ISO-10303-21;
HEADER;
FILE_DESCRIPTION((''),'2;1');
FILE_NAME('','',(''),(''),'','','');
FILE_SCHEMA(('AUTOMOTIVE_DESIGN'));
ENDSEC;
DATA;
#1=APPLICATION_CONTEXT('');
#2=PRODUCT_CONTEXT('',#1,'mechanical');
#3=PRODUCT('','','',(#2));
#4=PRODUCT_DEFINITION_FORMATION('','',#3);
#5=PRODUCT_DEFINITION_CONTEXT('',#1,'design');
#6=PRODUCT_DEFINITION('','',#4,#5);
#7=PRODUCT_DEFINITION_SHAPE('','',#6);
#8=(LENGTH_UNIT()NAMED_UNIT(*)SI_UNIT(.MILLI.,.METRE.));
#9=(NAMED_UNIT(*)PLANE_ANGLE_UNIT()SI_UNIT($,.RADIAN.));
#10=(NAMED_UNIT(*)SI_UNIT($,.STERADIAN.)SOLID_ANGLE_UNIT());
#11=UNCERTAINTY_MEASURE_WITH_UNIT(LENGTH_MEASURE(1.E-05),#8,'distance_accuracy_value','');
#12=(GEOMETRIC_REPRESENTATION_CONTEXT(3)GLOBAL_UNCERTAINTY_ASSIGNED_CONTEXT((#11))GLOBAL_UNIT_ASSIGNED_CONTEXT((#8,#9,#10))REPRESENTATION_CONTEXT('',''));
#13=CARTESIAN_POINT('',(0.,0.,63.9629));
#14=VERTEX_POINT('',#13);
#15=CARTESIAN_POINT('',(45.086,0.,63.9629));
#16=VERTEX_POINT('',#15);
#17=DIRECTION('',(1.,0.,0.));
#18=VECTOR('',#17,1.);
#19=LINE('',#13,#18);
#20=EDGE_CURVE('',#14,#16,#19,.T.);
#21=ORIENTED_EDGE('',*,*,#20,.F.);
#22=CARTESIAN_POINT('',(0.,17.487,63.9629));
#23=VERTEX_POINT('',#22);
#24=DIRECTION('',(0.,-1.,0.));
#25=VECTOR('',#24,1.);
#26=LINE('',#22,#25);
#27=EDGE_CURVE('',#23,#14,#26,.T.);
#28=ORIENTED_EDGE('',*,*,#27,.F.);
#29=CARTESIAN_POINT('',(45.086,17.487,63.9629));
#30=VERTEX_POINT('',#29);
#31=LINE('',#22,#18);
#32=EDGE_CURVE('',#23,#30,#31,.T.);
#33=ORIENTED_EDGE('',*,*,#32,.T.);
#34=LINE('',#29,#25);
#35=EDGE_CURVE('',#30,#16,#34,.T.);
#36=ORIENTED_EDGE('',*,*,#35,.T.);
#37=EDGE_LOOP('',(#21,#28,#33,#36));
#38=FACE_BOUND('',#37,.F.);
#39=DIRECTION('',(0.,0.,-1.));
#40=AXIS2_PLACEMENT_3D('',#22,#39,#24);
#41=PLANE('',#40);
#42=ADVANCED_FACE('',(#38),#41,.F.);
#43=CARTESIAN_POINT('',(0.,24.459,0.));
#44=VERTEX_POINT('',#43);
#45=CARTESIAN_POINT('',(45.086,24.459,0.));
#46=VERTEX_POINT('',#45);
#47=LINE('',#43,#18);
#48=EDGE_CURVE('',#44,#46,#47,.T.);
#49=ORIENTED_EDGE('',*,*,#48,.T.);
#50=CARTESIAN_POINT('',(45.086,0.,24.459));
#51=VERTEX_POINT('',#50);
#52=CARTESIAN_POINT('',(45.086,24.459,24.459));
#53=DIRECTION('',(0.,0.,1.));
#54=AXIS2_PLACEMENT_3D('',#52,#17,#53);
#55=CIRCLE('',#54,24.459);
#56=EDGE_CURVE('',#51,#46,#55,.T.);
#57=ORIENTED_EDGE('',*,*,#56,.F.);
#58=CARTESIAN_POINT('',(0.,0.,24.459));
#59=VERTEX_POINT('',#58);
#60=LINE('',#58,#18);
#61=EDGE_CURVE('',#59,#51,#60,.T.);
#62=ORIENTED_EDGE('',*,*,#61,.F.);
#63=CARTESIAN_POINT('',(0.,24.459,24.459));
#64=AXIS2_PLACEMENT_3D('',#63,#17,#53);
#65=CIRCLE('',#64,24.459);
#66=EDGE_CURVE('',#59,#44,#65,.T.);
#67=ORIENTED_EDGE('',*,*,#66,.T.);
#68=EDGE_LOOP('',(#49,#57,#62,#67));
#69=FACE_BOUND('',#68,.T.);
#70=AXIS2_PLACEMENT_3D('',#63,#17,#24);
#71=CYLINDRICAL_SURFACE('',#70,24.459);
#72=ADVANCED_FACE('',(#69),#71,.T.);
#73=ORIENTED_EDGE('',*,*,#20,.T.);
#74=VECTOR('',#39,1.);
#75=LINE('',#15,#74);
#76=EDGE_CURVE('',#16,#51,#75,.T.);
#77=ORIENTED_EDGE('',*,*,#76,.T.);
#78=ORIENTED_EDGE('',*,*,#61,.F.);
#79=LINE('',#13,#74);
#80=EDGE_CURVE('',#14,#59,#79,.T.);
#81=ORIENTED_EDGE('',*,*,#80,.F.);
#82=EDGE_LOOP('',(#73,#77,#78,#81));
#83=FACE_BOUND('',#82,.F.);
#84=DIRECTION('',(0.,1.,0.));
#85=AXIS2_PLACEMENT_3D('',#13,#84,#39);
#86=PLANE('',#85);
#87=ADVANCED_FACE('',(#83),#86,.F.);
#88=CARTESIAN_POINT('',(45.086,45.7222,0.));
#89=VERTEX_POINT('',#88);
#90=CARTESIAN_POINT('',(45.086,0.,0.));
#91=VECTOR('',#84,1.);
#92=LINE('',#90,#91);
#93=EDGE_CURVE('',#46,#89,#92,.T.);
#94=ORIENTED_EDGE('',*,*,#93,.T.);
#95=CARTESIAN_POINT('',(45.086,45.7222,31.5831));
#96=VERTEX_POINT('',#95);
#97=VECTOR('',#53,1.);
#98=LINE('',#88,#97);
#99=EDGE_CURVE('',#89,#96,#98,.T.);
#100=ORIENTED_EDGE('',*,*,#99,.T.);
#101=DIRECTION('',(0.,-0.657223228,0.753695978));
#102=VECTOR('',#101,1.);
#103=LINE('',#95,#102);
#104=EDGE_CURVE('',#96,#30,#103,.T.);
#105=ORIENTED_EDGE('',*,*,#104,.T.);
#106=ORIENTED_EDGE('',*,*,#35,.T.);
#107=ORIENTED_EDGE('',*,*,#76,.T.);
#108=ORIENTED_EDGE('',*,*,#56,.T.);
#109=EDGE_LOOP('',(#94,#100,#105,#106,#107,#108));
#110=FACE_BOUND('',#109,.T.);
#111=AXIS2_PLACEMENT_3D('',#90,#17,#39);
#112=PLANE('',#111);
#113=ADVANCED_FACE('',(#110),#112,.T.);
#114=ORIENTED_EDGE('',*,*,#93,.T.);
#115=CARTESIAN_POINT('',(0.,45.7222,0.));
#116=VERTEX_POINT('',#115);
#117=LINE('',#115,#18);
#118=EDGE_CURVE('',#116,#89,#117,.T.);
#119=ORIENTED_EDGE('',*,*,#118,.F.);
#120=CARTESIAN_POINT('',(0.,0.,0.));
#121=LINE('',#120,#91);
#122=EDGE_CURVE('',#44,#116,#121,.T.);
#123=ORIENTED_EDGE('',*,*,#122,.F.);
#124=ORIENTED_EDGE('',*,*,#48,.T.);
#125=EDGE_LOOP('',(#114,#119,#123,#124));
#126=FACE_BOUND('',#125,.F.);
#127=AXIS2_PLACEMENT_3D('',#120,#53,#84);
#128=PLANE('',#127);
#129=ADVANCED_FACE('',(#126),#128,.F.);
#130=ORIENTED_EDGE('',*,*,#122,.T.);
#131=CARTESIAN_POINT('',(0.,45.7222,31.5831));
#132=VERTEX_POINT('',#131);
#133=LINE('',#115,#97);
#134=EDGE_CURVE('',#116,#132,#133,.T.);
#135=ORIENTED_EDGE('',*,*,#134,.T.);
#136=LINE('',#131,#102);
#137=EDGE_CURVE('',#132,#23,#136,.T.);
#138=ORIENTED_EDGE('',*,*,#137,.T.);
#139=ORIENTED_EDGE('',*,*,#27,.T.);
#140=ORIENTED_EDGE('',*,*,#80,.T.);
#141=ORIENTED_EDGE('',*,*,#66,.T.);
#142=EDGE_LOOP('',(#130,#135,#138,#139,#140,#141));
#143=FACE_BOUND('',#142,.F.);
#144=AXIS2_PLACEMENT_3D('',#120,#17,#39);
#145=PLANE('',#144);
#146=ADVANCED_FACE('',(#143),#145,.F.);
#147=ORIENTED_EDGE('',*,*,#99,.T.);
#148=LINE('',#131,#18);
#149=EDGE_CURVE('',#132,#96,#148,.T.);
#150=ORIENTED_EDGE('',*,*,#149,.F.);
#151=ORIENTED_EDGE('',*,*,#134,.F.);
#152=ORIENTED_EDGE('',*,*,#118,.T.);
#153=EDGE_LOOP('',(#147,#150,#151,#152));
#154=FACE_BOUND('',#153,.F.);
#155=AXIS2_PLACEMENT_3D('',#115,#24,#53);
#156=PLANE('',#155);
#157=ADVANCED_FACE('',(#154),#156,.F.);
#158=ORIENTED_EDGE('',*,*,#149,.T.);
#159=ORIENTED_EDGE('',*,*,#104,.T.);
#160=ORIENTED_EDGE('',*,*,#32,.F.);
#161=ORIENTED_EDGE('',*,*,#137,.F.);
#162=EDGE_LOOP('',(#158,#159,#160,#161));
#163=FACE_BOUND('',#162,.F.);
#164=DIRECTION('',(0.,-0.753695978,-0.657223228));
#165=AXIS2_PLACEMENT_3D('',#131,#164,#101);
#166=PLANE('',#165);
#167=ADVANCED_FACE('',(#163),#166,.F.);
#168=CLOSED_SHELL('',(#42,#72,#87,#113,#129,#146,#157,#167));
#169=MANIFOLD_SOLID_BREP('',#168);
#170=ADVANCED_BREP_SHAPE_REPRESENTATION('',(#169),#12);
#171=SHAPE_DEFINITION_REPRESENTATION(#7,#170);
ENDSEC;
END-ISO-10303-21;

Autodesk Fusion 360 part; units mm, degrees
sketch "Sketch1" plane through (0, 0, 0) normal (1, 0, 0) x (0, 0, -1)
  line L0 (0, 0) -> (0, 45.7222)
  line L1 (0, 45.7222) -> (-31.5831, 45.7222)
  line L2 (-31.5831, 45.7222) -> (-63.9629, 17.487)
  line L3 (-63.9629, 17.487) -> (-63.9629, 0)
  line L4 (-63.9629, 0) -> (0, 0)
extrude "Extrude1" add sketch "Sketch1" along normal blind 45.086
fillet "Fillet1" radius 24.459 1 edges at (22.543, 0, 0)
